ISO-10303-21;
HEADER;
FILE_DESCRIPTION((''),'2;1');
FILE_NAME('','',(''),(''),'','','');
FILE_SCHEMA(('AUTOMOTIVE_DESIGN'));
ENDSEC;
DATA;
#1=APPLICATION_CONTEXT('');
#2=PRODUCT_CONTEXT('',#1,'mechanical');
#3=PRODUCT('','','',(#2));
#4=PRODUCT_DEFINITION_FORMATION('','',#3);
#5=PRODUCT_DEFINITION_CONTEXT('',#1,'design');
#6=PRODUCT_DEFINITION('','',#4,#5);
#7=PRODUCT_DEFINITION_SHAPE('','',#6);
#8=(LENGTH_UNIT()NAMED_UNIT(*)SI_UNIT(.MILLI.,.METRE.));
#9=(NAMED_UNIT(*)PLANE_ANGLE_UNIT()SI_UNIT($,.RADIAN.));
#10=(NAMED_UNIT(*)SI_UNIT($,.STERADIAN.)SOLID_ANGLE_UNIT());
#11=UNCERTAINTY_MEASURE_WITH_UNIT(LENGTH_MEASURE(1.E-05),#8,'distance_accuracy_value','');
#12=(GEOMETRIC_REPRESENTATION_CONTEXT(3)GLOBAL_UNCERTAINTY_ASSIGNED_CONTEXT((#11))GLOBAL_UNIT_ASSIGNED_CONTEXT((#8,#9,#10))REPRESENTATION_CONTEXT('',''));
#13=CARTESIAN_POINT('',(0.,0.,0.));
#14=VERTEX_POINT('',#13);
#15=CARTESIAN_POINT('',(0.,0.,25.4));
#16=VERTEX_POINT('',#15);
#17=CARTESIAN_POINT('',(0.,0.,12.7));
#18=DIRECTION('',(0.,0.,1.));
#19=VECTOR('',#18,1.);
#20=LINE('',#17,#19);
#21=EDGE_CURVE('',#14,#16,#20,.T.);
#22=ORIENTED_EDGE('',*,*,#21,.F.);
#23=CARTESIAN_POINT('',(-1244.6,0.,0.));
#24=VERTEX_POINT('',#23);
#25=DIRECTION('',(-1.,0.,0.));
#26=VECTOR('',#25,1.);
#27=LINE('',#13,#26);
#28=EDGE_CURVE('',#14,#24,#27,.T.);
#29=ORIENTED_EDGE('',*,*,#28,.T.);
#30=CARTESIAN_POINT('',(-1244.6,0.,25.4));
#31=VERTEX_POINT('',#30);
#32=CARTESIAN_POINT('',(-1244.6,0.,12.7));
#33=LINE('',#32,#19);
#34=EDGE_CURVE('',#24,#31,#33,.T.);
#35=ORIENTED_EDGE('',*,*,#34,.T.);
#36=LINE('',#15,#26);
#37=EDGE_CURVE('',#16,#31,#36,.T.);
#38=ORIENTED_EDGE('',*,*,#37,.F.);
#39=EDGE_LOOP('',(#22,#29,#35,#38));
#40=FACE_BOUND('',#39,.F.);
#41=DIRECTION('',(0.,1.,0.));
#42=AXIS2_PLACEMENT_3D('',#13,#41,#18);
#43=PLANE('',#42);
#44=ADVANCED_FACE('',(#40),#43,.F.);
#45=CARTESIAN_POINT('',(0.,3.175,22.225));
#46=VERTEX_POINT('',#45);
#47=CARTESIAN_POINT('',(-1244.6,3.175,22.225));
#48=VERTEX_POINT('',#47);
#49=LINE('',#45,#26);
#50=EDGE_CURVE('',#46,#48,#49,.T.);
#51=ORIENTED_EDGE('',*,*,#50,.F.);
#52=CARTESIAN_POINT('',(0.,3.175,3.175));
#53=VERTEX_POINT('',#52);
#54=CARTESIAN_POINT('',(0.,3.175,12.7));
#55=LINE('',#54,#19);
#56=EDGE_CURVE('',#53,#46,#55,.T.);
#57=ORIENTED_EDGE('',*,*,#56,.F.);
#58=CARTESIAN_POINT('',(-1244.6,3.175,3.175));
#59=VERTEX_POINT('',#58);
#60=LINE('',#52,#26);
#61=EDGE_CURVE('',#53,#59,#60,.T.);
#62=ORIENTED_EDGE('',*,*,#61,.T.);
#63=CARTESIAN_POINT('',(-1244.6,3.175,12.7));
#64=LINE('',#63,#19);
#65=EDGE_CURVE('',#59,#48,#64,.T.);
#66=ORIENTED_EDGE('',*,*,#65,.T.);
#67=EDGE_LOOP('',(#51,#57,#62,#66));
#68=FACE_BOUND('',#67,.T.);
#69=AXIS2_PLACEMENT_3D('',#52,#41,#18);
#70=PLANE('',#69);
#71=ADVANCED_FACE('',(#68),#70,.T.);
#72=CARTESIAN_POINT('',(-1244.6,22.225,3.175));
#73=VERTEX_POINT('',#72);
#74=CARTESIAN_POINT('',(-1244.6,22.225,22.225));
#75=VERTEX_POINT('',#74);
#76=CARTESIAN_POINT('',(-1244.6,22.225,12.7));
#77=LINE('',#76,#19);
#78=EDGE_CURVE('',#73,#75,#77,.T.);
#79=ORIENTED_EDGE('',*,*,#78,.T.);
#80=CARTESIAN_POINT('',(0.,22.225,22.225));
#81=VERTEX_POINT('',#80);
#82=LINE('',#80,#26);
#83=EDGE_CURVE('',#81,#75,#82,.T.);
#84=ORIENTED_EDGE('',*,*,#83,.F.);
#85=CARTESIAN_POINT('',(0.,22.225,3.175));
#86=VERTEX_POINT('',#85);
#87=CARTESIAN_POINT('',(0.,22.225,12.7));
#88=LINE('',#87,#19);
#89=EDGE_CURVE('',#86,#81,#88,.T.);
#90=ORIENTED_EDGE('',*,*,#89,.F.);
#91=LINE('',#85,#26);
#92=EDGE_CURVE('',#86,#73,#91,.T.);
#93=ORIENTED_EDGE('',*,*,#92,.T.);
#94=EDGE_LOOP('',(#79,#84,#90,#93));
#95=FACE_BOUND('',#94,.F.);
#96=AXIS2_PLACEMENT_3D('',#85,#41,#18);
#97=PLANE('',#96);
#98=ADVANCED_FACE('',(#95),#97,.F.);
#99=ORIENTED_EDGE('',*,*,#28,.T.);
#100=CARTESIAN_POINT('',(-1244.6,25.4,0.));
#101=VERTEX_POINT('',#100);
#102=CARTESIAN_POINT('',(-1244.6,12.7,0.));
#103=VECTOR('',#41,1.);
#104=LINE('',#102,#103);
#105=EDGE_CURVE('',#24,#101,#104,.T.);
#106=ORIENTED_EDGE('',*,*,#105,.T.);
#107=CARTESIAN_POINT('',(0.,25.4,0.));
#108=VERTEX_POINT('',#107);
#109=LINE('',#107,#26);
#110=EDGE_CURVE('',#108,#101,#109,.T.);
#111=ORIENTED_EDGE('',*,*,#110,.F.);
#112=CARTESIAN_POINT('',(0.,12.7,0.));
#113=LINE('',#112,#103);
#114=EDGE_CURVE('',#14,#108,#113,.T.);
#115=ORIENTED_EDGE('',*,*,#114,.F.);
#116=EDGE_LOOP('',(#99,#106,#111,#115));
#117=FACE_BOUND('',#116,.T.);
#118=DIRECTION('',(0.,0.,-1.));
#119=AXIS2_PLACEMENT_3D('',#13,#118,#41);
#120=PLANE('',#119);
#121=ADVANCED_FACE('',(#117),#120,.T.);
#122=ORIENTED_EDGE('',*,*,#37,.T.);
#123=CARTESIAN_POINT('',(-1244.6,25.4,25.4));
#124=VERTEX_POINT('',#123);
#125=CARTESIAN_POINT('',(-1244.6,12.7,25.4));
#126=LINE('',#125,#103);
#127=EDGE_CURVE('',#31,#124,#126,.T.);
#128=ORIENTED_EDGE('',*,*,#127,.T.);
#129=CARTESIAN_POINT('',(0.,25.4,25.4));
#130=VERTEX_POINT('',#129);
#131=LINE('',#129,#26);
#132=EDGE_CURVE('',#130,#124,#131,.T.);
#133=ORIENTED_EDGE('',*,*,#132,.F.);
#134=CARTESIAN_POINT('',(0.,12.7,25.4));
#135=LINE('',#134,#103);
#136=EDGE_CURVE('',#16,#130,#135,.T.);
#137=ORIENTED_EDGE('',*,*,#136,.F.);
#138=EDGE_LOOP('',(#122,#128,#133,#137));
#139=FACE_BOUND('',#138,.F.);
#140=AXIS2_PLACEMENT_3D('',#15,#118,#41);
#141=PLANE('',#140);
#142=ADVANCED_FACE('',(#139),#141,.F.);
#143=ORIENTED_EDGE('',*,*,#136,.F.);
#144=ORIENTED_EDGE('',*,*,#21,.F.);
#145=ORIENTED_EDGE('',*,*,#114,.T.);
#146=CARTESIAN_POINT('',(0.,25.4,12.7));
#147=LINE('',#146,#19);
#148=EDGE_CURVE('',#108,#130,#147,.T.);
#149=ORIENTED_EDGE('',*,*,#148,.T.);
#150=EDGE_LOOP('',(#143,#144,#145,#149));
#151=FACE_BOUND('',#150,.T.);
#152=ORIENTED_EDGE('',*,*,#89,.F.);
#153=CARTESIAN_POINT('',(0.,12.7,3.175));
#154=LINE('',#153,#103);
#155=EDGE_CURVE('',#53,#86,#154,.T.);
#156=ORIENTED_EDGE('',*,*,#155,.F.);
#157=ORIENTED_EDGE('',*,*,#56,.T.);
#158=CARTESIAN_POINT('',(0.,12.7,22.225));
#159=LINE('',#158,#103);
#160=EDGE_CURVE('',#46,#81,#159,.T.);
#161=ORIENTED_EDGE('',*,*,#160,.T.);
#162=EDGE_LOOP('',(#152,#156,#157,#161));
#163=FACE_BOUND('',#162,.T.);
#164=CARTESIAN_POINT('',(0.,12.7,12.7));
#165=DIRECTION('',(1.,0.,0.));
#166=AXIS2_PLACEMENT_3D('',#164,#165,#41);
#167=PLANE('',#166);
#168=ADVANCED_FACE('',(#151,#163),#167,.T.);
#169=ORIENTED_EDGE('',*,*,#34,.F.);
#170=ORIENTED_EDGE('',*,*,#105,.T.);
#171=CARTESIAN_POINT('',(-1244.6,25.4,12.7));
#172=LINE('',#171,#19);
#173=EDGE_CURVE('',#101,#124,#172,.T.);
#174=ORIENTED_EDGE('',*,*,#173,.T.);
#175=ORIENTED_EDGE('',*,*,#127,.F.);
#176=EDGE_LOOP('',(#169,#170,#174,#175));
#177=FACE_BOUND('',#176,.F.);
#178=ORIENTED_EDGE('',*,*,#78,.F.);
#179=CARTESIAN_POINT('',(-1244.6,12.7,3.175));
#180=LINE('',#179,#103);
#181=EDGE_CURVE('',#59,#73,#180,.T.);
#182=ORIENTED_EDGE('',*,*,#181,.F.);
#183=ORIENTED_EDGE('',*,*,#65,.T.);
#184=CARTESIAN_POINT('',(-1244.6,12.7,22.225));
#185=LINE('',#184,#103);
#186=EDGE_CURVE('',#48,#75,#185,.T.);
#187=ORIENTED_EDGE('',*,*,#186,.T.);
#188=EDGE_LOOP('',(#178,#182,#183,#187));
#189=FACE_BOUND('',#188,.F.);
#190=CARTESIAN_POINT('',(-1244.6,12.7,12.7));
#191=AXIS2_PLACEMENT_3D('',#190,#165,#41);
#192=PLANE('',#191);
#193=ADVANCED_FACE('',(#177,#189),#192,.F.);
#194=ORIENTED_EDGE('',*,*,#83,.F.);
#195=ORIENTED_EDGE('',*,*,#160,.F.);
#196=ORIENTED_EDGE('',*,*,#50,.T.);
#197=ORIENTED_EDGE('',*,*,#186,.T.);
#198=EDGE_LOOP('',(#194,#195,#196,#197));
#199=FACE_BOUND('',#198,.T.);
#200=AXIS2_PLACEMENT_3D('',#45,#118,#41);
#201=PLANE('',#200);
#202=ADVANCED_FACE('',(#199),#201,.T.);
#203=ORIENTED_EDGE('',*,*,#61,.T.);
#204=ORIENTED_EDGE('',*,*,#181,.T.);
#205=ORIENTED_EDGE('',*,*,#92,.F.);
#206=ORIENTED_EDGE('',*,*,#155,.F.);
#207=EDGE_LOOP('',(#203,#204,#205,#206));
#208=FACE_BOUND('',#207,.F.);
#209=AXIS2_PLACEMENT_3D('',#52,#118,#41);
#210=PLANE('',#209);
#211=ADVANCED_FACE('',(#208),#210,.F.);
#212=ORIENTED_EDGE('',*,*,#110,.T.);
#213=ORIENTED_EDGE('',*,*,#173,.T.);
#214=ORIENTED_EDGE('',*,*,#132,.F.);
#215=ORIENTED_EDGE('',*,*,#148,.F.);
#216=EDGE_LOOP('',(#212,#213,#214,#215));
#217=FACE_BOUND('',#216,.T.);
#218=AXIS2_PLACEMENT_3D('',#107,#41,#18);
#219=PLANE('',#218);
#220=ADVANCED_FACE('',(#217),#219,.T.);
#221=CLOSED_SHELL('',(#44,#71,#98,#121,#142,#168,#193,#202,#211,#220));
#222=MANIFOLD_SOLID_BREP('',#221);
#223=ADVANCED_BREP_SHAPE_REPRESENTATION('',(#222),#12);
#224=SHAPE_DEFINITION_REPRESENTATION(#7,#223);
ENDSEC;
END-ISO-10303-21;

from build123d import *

# Parameters (mm, degrees)
F0_W     = 25.4
F0_H     = 25.4
F0_W_2   = 19.05
F0_H_2   = 19.05
F1_DEPTH = 1244.6


with BuildPart() as f1:
    # F0 (on Right) → F1 (new body)
    with BuildSketch(Plane.YZ):
        with Locations((12.7, 12.7)):
            Rectangle(F0_W, F0_H)
        with Locations((12.7, 12.7)):
            Rectangle(F0_W_2, F0_H_2, mode=Mode.SUBTRACT)
    extrude(amount=-F1_DEPTH)


solid = f1.part
